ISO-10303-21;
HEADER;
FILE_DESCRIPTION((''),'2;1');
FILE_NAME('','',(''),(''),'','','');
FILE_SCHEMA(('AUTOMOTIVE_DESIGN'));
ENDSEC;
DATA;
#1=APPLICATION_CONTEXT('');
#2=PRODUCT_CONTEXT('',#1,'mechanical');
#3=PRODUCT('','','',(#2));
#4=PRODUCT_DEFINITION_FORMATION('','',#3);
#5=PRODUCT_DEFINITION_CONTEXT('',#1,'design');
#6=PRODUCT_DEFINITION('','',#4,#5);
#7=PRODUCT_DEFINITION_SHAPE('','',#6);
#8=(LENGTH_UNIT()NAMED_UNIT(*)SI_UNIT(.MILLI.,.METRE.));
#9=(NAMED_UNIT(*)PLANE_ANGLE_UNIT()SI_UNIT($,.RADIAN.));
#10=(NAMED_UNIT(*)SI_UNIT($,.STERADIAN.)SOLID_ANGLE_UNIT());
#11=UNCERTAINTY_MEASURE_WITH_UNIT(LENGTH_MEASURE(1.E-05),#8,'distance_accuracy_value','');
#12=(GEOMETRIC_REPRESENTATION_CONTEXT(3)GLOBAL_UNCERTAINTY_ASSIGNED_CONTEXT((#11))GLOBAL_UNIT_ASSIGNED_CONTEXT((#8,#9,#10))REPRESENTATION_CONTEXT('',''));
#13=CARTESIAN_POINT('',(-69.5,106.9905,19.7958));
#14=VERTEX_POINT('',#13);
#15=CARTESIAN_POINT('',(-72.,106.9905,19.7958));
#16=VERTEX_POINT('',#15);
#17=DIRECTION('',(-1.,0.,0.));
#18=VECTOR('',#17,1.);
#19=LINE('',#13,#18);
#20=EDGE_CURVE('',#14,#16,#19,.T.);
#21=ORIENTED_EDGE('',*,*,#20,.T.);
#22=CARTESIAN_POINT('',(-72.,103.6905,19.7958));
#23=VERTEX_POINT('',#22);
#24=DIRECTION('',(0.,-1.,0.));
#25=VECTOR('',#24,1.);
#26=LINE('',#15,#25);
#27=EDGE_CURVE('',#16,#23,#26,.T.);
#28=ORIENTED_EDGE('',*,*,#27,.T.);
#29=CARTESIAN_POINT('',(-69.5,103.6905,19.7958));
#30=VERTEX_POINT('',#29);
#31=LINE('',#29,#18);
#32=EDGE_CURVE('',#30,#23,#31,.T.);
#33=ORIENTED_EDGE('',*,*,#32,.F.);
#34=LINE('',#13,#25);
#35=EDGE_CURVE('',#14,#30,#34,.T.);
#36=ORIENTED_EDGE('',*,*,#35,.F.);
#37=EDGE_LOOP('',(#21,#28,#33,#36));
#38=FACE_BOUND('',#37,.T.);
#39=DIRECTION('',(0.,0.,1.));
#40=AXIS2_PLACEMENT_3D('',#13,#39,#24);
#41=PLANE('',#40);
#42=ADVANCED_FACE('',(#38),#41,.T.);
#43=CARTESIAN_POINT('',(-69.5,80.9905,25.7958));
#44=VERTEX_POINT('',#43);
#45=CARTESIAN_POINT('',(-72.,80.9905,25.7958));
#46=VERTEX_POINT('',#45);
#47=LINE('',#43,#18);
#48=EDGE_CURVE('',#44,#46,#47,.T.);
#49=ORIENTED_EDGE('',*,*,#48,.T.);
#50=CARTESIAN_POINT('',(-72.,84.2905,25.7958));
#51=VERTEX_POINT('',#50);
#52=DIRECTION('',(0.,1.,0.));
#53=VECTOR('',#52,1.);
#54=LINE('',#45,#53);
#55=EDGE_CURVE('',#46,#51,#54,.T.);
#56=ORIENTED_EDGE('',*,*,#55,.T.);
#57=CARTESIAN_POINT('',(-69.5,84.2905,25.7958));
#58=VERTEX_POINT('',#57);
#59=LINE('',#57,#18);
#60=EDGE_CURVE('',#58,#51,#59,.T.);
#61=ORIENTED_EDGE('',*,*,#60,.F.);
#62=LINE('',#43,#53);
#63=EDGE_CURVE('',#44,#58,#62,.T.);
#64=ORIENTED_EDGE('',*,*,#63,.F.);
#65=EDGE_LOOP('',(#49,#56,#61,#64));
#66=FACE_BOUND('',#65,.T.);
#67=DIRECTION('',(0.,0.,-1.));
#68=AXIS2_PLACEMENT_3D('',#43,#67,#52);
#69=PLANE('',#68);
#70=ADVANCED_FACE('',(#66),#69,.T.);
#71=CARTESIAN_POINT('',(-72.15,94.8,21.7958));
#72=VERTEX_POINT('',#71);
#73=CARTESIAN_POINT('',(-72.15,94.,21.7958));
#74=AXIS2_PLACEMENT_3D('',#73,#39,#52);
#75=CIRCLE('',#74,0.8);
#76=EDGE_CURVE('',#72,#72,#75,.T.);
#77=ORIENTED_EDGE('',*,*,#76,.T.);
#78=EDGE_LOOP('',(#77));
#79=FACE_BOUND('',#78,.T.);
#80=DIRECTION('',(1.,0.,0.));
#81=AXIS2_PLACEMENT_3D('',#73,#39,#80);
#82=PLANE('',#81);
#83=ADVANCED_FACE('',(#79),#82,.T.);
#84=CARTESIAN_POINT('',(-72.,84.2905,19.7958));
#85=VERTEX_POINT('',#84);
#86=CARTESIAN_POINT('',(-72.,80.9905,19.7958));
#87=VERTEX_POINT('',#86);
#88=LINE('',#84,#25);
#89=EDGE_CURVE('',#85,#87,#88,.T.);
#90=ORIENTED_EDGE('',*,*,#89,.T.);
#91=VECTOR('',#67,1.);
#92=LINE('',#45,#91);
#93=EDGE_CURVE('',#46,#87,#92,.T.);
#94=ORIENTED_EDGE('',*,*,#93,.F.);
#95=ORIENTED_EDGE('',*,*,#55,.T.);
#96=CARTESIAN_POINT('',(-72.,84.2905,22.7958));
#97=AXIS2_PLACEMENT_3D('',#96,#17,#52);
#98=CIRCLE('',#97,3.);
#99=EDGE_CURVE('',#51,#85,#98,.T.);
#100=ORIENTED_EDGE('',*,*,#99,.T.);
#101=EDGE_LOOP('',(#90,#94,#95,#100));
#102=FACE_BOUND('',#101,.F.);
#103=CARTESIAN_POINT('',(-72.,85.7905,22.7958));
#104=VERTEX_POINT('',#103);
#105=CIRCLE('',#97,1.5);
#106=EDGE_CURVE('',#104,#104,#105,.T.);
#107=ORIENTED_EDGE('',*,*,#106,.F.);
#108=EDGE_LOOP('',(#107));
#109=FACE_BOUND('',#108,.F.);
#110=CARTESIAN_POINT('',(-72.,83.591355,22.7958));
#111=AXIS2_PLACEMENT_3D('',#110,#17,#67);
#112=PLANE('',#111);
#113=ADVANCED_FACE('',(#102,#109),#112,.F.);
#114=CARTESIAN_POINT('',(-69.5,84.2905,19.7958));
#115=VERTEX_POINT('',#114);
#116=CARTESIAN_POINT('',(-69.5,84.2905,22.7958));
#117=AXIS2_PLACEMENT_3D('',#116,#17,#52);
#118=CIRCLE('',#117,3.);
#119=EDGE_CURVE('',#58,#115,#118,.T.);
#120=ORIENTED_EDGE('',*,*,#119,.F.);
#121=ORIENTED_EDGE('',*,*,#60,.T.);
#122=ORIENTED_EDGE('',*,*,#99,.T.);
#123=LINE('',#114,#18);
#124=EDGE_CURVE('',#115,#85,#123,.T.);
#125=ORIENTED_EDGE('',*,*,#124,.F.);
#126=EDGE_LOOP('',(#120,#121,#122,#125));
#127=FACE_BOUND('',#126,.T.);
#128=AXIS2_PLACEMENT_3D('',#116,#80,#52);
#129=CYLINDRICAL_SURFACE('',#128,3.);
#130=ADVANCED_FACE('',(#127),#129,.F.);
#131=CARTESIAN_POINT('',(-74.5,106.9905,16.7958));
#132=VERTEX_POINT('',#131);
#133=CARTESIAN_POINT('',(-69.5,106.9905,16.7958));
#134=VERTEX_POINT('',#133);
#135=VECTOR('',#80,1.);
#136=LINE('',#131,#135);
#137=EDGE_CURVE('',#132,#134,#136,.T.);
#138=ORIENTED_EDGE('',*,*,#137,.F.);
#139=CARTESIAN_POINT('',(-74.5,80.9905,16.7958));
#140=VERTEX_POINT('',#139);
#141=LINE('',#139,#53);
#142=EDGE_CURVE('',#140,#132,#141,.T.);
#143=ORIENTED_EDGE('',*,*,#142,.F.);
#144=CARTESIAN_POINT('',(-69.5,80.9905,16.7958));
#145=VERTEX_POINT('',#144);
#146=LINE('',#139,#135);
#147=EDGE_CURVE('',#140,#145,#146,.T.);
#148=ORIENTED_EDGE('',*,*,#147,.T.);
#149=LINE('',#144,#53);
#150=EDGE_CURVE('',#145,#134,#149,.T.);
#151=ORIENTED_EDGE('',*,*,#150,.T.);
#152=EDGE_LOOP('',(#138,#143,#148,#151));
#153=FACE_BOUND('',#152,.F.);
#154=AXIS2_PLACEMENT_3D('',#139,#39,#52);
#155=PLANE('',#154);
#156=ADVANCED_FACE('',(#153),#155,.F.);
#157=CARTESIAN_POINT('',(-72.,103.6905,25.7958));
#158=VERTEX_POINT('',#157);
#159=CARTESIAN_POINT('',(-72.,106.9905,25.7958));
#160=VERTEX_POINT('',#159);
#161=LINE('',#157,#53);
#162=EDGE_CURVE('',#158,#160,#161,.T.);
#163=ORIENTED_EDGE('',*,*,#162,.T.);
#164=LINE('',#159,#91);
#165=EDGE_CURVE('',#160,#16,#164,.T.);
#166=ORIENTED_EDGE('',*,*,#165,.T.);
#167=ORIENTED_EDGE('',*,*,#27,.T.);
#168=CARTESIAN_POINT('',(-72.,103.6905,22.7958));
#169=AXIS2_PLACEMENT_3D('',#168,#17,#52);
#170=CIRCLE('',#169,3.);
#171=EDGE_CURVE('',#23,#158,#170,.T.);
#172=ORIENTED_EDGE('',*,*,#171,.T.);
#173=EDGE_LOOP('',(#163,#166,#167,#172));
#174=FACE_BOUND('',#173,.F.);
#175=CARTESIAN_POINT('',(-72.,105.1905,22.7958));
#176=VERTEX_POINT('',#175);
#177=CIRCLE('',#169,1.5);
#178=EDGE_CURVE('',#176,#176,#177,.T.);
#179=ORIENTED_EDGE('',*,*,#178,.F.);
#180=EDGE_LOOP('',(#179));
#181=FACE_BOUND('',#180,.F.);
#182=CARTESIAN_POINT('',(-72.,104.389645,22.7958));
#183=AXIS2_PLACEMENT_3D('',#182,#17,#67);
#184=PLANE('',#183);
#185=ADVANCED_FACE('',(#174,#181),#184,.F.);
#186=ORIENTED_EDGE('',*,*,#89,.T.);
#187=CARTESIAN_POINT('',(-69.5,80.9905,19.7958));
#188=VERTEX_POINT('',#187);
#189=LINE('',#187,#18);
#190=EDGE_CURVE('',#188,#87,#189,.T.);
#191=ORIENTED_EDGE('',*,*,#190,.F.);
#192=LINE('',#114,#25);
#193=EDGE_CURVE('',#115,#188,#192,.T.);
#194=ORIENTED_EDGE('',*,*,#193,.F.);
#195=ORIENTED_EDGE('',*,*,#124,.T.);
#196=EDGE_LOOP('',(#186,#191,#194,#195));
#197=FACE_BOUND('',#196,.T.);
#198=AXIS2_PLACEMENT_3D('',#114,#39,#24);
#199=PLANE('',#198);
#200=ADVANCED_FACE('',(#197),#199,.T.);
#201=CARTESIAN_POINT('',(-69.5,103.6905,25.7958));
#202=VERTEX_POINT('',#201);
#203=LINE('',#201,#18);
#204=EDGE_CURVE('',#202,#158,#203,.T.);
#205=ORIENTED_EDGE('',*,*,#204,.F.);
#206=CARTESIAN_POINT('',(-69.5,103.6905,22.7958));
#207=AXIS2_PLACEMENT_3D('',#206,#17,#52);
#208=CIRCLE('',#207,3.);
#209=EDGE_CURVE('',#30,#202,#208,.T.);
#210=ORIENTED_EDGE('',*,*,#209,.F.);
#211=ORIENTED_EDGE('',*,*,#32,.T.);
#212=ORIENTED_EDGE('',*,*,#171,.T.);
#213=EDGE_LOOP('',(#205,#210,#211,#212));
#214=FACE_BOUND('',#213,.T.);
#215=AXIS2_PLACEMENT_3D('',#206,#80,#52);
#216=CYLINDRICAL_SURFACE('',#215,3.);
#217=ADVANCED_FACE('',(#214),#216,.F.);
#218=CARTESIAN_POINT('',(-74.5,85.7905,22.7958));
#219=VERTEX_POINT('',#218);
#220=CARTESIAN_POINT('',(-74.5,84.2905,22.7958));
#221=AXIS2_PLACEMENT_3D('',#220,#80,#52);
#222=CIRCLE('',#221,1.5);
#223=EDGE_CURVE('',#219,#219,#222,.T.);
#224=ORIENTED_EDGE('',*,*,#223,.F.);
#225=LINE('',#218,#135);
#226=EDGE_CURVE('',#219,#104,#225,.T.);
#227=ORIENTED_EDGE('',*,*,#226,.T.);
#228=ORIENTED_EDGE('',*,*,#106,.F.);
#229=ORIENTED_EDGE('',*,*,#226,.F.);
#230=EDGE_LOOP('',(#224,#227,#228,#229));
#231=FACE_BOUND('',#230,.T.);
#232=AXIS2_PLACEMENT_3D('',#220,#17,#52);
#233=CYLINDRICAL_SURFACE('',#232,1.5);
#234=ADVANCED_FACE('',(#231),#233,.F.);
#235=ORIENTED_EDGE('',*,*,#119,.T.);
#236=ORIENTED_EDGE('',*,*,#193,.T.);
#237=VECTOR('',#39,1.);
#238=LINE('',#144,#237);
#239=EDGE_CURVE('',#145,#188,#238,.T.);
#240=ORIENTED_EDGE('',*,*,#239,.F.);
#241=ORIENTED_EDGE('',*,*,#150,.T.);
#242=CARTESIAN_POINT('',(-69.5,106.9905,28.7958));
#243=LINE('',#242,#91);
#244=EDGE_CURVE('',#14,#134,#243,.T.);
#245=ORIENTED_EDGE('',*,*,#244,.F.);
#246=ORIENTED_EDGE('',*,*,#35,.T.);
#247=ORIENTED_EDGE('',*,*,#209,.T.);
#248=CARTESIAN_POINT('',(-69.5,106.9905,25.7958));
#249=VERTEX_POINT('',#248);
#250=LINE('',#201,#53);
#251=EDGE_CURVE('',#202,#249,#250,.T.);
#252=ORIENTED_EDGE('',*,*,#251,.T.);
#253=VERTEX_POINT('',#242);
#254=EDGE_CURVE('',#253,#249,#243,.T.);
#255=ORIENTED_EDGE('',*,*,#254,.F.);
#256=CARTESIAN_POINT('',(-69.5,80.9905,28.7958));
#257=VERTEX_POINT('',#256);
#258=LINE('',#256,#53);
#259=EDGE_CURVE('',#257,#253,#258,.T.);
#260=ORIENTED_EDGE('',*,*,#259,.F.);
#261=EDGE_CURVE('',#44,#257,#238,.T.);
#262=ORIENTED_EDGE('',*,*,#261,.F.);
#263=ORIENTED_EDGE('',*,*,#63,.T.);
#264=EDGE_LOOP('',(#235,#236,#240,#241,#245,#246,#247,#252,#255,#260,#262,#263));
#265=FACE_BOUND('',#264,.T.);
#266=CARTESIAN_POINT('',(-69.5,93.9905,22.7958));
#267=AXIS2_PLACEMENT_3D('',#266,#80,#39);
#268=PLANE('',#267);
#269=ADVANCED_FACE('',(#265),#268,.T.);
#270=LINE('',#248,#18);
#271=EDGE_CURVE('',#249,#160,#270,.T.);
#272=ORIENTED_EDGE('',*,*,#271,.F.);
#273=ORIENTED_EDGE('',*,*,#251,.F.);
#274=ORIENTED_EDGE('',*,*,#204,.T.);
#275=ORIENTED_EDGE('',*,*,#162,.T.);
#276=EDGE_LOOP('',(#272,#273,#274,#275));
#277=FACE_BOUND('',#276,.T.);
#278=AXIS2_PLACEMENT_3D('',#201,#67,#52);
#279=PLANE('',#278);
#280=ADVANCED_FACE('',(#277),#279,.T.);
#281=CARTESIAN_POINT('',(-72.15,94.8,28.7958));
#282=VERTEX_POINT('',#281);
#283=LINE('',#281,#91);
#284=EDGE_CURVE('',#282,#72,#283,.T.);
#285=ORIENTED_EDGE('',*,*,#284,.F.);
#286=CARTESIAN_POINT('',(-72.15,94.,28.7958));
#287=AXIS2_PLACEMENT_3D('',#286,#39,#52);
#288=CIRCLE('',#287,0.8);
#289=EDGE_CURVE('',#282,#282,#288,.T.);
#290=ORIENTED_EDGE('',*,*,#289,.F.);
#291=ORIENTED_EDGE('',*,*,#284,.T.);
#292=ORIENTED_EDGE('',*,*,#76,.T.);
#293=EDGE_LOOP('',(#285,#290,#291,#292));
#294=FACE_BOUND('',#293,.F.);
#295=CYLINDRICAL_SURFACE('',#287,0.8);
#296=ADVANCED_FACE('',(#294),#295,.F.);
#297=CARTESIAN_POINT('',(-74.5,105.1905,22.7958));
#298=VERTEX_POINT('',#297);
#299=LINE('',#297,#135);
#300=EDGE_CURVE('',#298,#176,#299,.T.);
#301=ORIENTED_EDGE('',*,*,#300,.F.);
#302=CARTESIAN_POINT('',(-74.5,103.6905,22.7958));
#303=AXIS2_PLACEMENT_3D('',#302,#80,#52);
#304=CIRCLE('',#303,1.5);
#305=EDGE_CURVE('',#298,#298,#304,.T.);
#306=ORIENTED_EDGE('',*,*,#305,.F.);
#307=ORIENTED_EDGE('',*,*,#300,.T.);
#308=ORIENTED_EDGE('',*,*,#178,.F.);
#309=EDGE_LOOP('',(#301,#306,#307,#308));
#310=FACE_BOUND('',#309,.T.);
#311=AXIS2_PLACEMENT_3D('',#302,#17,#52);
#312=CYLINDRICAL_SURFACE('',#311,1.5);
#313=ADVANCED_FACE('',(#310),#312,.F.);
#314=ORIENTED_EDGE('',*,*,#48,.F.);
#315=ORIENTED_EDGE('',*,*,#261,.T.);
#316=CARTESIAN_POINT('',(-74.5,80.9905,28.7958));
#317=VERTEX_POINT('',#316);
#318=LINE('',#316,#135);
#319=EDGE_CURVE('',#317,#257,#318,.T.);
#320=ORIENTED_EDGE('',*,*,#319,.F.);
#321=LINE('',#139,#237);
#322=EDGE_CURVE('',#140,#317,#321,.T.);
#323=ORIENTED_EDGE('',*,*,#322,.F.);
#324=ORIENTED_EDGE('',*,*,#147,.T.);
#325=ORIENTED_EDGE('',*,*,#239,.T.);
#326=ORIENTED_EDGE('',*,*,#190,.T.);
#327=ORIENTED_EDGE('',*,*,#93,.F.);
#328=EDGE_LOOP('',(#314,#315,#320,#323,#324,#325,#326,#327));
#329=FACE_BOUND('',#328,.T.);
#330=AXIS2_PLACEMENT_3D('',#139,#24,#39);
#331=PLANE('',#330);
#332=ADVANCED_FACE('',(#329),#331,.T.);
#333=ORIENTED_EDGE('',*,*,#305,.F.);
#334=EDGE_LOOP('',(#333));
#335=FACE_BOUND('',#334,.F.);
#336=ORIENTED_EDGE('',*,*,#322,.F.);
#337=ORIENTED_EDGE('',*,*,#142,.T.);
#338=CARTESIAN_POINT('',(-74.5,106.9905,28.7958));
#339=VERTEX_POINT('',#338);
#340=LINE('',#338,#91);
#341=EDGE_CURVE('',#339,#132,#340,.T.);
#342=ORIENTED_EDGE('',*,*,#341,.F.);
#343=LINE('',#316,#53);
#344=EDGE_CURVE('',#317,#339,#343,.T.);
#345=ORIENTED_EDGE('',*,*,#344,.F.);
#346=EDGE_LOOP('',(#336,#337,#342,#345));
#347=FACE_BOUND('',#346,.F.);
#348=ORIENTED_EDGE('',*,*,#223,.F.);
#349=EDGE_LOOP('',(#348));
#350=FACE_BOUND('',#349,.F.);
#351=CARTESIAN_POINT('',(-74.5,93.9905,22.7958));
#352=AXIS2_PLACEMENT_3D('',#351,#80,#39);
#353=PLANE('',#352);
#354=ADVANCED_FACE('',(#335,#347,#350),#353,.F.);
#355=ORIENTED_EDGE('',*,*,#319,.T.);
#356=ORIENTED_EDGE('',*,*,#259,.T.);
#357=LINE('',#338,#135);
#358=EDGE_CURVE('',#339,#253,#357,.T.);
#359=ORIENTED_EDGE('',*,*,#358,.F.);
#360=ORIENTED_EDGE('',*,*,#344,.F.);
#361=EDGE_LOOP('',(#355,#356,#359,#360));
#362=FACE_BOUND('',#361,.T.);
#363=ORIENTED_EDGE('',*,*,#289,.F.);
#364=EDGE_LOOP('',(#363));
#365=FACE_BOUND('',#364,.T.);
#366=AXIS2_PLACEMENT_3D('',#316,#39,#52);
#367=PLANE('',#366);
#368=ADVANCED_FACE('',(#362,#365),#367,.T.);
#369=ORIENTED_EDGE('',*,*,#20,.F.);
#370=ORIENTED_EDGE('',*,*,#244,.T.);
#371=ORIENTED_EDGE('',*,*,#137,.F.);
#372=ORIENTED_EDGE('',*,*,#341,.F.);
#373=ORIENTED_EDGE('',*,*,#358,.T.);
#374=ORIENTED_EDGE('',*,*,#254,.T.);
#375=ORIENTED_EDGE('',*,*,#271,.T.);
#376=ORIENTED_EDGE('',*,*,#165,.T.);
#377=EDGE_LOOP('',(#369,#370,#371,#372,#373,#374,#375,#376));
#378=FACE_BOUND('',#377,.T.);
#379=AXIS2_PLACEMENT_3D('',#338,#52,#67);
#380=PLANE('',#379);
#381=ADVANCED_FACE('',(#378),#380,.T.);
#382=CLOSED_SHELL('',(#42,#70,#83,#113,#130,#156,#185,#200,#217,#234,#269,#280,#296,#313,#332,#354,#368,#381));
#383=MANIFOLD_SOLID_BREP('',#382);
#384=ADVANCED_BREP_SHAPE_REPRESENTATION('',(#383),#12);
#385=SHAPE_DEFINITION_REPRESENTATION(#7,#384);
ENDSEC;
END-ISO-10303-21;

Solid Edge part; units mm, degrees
sketch "Sketch1" plane through (-74.5, 0, 0) normal (1, 0, 0) x (0, 1, 0)
  line L0 (80.9905, 16.7958) -> (106.9905, 16.7958)
  line L1 (106.9905, 28.7958) -> (106.9905, 16.7958)
  line L2 (80.9905, 28.7958) -> (106.9905, 28.7958)
  line L3 (80.9905, 16.7958) -> (80.9905, 28.7958)
  circle A0 centre (84.2905, 22.7958) radius 1.5
  circle A1 centre (103.6905, 22.7958) radius 1.5
extrude "Protrusion1" add sketch "Sketch1" along normal blind 5
sketch "Sketch2" plane through (-72, 93.9905, 28.7958) normal (0, 0, 1) x (0, 1, 0)
  circle A0 centre (0.0095, 0.15) radius 0.8
extrude "ExtrudedCutout_1" cut sketch "Sketch2" against normal blind 7
sketch "Sketch3" plane through (-69.5, 93.9905, 22.7958) normal (1, 0, 0) x (0, 1, 0)
  line L0 (-9.7, -3) -> (-13, -3)
  line L1 (-13, 3) -> (-13, -3)
  line L2 (-13, 3) -> (-9.7, 3)
  arc A0 (-9.7, 3) -> (-9.7, -3) centre (-9.7, 0) cw
  line L3 (9.7, 3) -> (13, 3)
  line L4 (13, 3) -> (13, -3)
  line L5 (13, -3) -> (9.7, -3)
  arc A1 (9.7, -3) -> (9.7, 3) centre (9.7, 0) cw
extrude "ExtrudedCutout_3" cut sketch "Sketch3" against normal blind 2.5
